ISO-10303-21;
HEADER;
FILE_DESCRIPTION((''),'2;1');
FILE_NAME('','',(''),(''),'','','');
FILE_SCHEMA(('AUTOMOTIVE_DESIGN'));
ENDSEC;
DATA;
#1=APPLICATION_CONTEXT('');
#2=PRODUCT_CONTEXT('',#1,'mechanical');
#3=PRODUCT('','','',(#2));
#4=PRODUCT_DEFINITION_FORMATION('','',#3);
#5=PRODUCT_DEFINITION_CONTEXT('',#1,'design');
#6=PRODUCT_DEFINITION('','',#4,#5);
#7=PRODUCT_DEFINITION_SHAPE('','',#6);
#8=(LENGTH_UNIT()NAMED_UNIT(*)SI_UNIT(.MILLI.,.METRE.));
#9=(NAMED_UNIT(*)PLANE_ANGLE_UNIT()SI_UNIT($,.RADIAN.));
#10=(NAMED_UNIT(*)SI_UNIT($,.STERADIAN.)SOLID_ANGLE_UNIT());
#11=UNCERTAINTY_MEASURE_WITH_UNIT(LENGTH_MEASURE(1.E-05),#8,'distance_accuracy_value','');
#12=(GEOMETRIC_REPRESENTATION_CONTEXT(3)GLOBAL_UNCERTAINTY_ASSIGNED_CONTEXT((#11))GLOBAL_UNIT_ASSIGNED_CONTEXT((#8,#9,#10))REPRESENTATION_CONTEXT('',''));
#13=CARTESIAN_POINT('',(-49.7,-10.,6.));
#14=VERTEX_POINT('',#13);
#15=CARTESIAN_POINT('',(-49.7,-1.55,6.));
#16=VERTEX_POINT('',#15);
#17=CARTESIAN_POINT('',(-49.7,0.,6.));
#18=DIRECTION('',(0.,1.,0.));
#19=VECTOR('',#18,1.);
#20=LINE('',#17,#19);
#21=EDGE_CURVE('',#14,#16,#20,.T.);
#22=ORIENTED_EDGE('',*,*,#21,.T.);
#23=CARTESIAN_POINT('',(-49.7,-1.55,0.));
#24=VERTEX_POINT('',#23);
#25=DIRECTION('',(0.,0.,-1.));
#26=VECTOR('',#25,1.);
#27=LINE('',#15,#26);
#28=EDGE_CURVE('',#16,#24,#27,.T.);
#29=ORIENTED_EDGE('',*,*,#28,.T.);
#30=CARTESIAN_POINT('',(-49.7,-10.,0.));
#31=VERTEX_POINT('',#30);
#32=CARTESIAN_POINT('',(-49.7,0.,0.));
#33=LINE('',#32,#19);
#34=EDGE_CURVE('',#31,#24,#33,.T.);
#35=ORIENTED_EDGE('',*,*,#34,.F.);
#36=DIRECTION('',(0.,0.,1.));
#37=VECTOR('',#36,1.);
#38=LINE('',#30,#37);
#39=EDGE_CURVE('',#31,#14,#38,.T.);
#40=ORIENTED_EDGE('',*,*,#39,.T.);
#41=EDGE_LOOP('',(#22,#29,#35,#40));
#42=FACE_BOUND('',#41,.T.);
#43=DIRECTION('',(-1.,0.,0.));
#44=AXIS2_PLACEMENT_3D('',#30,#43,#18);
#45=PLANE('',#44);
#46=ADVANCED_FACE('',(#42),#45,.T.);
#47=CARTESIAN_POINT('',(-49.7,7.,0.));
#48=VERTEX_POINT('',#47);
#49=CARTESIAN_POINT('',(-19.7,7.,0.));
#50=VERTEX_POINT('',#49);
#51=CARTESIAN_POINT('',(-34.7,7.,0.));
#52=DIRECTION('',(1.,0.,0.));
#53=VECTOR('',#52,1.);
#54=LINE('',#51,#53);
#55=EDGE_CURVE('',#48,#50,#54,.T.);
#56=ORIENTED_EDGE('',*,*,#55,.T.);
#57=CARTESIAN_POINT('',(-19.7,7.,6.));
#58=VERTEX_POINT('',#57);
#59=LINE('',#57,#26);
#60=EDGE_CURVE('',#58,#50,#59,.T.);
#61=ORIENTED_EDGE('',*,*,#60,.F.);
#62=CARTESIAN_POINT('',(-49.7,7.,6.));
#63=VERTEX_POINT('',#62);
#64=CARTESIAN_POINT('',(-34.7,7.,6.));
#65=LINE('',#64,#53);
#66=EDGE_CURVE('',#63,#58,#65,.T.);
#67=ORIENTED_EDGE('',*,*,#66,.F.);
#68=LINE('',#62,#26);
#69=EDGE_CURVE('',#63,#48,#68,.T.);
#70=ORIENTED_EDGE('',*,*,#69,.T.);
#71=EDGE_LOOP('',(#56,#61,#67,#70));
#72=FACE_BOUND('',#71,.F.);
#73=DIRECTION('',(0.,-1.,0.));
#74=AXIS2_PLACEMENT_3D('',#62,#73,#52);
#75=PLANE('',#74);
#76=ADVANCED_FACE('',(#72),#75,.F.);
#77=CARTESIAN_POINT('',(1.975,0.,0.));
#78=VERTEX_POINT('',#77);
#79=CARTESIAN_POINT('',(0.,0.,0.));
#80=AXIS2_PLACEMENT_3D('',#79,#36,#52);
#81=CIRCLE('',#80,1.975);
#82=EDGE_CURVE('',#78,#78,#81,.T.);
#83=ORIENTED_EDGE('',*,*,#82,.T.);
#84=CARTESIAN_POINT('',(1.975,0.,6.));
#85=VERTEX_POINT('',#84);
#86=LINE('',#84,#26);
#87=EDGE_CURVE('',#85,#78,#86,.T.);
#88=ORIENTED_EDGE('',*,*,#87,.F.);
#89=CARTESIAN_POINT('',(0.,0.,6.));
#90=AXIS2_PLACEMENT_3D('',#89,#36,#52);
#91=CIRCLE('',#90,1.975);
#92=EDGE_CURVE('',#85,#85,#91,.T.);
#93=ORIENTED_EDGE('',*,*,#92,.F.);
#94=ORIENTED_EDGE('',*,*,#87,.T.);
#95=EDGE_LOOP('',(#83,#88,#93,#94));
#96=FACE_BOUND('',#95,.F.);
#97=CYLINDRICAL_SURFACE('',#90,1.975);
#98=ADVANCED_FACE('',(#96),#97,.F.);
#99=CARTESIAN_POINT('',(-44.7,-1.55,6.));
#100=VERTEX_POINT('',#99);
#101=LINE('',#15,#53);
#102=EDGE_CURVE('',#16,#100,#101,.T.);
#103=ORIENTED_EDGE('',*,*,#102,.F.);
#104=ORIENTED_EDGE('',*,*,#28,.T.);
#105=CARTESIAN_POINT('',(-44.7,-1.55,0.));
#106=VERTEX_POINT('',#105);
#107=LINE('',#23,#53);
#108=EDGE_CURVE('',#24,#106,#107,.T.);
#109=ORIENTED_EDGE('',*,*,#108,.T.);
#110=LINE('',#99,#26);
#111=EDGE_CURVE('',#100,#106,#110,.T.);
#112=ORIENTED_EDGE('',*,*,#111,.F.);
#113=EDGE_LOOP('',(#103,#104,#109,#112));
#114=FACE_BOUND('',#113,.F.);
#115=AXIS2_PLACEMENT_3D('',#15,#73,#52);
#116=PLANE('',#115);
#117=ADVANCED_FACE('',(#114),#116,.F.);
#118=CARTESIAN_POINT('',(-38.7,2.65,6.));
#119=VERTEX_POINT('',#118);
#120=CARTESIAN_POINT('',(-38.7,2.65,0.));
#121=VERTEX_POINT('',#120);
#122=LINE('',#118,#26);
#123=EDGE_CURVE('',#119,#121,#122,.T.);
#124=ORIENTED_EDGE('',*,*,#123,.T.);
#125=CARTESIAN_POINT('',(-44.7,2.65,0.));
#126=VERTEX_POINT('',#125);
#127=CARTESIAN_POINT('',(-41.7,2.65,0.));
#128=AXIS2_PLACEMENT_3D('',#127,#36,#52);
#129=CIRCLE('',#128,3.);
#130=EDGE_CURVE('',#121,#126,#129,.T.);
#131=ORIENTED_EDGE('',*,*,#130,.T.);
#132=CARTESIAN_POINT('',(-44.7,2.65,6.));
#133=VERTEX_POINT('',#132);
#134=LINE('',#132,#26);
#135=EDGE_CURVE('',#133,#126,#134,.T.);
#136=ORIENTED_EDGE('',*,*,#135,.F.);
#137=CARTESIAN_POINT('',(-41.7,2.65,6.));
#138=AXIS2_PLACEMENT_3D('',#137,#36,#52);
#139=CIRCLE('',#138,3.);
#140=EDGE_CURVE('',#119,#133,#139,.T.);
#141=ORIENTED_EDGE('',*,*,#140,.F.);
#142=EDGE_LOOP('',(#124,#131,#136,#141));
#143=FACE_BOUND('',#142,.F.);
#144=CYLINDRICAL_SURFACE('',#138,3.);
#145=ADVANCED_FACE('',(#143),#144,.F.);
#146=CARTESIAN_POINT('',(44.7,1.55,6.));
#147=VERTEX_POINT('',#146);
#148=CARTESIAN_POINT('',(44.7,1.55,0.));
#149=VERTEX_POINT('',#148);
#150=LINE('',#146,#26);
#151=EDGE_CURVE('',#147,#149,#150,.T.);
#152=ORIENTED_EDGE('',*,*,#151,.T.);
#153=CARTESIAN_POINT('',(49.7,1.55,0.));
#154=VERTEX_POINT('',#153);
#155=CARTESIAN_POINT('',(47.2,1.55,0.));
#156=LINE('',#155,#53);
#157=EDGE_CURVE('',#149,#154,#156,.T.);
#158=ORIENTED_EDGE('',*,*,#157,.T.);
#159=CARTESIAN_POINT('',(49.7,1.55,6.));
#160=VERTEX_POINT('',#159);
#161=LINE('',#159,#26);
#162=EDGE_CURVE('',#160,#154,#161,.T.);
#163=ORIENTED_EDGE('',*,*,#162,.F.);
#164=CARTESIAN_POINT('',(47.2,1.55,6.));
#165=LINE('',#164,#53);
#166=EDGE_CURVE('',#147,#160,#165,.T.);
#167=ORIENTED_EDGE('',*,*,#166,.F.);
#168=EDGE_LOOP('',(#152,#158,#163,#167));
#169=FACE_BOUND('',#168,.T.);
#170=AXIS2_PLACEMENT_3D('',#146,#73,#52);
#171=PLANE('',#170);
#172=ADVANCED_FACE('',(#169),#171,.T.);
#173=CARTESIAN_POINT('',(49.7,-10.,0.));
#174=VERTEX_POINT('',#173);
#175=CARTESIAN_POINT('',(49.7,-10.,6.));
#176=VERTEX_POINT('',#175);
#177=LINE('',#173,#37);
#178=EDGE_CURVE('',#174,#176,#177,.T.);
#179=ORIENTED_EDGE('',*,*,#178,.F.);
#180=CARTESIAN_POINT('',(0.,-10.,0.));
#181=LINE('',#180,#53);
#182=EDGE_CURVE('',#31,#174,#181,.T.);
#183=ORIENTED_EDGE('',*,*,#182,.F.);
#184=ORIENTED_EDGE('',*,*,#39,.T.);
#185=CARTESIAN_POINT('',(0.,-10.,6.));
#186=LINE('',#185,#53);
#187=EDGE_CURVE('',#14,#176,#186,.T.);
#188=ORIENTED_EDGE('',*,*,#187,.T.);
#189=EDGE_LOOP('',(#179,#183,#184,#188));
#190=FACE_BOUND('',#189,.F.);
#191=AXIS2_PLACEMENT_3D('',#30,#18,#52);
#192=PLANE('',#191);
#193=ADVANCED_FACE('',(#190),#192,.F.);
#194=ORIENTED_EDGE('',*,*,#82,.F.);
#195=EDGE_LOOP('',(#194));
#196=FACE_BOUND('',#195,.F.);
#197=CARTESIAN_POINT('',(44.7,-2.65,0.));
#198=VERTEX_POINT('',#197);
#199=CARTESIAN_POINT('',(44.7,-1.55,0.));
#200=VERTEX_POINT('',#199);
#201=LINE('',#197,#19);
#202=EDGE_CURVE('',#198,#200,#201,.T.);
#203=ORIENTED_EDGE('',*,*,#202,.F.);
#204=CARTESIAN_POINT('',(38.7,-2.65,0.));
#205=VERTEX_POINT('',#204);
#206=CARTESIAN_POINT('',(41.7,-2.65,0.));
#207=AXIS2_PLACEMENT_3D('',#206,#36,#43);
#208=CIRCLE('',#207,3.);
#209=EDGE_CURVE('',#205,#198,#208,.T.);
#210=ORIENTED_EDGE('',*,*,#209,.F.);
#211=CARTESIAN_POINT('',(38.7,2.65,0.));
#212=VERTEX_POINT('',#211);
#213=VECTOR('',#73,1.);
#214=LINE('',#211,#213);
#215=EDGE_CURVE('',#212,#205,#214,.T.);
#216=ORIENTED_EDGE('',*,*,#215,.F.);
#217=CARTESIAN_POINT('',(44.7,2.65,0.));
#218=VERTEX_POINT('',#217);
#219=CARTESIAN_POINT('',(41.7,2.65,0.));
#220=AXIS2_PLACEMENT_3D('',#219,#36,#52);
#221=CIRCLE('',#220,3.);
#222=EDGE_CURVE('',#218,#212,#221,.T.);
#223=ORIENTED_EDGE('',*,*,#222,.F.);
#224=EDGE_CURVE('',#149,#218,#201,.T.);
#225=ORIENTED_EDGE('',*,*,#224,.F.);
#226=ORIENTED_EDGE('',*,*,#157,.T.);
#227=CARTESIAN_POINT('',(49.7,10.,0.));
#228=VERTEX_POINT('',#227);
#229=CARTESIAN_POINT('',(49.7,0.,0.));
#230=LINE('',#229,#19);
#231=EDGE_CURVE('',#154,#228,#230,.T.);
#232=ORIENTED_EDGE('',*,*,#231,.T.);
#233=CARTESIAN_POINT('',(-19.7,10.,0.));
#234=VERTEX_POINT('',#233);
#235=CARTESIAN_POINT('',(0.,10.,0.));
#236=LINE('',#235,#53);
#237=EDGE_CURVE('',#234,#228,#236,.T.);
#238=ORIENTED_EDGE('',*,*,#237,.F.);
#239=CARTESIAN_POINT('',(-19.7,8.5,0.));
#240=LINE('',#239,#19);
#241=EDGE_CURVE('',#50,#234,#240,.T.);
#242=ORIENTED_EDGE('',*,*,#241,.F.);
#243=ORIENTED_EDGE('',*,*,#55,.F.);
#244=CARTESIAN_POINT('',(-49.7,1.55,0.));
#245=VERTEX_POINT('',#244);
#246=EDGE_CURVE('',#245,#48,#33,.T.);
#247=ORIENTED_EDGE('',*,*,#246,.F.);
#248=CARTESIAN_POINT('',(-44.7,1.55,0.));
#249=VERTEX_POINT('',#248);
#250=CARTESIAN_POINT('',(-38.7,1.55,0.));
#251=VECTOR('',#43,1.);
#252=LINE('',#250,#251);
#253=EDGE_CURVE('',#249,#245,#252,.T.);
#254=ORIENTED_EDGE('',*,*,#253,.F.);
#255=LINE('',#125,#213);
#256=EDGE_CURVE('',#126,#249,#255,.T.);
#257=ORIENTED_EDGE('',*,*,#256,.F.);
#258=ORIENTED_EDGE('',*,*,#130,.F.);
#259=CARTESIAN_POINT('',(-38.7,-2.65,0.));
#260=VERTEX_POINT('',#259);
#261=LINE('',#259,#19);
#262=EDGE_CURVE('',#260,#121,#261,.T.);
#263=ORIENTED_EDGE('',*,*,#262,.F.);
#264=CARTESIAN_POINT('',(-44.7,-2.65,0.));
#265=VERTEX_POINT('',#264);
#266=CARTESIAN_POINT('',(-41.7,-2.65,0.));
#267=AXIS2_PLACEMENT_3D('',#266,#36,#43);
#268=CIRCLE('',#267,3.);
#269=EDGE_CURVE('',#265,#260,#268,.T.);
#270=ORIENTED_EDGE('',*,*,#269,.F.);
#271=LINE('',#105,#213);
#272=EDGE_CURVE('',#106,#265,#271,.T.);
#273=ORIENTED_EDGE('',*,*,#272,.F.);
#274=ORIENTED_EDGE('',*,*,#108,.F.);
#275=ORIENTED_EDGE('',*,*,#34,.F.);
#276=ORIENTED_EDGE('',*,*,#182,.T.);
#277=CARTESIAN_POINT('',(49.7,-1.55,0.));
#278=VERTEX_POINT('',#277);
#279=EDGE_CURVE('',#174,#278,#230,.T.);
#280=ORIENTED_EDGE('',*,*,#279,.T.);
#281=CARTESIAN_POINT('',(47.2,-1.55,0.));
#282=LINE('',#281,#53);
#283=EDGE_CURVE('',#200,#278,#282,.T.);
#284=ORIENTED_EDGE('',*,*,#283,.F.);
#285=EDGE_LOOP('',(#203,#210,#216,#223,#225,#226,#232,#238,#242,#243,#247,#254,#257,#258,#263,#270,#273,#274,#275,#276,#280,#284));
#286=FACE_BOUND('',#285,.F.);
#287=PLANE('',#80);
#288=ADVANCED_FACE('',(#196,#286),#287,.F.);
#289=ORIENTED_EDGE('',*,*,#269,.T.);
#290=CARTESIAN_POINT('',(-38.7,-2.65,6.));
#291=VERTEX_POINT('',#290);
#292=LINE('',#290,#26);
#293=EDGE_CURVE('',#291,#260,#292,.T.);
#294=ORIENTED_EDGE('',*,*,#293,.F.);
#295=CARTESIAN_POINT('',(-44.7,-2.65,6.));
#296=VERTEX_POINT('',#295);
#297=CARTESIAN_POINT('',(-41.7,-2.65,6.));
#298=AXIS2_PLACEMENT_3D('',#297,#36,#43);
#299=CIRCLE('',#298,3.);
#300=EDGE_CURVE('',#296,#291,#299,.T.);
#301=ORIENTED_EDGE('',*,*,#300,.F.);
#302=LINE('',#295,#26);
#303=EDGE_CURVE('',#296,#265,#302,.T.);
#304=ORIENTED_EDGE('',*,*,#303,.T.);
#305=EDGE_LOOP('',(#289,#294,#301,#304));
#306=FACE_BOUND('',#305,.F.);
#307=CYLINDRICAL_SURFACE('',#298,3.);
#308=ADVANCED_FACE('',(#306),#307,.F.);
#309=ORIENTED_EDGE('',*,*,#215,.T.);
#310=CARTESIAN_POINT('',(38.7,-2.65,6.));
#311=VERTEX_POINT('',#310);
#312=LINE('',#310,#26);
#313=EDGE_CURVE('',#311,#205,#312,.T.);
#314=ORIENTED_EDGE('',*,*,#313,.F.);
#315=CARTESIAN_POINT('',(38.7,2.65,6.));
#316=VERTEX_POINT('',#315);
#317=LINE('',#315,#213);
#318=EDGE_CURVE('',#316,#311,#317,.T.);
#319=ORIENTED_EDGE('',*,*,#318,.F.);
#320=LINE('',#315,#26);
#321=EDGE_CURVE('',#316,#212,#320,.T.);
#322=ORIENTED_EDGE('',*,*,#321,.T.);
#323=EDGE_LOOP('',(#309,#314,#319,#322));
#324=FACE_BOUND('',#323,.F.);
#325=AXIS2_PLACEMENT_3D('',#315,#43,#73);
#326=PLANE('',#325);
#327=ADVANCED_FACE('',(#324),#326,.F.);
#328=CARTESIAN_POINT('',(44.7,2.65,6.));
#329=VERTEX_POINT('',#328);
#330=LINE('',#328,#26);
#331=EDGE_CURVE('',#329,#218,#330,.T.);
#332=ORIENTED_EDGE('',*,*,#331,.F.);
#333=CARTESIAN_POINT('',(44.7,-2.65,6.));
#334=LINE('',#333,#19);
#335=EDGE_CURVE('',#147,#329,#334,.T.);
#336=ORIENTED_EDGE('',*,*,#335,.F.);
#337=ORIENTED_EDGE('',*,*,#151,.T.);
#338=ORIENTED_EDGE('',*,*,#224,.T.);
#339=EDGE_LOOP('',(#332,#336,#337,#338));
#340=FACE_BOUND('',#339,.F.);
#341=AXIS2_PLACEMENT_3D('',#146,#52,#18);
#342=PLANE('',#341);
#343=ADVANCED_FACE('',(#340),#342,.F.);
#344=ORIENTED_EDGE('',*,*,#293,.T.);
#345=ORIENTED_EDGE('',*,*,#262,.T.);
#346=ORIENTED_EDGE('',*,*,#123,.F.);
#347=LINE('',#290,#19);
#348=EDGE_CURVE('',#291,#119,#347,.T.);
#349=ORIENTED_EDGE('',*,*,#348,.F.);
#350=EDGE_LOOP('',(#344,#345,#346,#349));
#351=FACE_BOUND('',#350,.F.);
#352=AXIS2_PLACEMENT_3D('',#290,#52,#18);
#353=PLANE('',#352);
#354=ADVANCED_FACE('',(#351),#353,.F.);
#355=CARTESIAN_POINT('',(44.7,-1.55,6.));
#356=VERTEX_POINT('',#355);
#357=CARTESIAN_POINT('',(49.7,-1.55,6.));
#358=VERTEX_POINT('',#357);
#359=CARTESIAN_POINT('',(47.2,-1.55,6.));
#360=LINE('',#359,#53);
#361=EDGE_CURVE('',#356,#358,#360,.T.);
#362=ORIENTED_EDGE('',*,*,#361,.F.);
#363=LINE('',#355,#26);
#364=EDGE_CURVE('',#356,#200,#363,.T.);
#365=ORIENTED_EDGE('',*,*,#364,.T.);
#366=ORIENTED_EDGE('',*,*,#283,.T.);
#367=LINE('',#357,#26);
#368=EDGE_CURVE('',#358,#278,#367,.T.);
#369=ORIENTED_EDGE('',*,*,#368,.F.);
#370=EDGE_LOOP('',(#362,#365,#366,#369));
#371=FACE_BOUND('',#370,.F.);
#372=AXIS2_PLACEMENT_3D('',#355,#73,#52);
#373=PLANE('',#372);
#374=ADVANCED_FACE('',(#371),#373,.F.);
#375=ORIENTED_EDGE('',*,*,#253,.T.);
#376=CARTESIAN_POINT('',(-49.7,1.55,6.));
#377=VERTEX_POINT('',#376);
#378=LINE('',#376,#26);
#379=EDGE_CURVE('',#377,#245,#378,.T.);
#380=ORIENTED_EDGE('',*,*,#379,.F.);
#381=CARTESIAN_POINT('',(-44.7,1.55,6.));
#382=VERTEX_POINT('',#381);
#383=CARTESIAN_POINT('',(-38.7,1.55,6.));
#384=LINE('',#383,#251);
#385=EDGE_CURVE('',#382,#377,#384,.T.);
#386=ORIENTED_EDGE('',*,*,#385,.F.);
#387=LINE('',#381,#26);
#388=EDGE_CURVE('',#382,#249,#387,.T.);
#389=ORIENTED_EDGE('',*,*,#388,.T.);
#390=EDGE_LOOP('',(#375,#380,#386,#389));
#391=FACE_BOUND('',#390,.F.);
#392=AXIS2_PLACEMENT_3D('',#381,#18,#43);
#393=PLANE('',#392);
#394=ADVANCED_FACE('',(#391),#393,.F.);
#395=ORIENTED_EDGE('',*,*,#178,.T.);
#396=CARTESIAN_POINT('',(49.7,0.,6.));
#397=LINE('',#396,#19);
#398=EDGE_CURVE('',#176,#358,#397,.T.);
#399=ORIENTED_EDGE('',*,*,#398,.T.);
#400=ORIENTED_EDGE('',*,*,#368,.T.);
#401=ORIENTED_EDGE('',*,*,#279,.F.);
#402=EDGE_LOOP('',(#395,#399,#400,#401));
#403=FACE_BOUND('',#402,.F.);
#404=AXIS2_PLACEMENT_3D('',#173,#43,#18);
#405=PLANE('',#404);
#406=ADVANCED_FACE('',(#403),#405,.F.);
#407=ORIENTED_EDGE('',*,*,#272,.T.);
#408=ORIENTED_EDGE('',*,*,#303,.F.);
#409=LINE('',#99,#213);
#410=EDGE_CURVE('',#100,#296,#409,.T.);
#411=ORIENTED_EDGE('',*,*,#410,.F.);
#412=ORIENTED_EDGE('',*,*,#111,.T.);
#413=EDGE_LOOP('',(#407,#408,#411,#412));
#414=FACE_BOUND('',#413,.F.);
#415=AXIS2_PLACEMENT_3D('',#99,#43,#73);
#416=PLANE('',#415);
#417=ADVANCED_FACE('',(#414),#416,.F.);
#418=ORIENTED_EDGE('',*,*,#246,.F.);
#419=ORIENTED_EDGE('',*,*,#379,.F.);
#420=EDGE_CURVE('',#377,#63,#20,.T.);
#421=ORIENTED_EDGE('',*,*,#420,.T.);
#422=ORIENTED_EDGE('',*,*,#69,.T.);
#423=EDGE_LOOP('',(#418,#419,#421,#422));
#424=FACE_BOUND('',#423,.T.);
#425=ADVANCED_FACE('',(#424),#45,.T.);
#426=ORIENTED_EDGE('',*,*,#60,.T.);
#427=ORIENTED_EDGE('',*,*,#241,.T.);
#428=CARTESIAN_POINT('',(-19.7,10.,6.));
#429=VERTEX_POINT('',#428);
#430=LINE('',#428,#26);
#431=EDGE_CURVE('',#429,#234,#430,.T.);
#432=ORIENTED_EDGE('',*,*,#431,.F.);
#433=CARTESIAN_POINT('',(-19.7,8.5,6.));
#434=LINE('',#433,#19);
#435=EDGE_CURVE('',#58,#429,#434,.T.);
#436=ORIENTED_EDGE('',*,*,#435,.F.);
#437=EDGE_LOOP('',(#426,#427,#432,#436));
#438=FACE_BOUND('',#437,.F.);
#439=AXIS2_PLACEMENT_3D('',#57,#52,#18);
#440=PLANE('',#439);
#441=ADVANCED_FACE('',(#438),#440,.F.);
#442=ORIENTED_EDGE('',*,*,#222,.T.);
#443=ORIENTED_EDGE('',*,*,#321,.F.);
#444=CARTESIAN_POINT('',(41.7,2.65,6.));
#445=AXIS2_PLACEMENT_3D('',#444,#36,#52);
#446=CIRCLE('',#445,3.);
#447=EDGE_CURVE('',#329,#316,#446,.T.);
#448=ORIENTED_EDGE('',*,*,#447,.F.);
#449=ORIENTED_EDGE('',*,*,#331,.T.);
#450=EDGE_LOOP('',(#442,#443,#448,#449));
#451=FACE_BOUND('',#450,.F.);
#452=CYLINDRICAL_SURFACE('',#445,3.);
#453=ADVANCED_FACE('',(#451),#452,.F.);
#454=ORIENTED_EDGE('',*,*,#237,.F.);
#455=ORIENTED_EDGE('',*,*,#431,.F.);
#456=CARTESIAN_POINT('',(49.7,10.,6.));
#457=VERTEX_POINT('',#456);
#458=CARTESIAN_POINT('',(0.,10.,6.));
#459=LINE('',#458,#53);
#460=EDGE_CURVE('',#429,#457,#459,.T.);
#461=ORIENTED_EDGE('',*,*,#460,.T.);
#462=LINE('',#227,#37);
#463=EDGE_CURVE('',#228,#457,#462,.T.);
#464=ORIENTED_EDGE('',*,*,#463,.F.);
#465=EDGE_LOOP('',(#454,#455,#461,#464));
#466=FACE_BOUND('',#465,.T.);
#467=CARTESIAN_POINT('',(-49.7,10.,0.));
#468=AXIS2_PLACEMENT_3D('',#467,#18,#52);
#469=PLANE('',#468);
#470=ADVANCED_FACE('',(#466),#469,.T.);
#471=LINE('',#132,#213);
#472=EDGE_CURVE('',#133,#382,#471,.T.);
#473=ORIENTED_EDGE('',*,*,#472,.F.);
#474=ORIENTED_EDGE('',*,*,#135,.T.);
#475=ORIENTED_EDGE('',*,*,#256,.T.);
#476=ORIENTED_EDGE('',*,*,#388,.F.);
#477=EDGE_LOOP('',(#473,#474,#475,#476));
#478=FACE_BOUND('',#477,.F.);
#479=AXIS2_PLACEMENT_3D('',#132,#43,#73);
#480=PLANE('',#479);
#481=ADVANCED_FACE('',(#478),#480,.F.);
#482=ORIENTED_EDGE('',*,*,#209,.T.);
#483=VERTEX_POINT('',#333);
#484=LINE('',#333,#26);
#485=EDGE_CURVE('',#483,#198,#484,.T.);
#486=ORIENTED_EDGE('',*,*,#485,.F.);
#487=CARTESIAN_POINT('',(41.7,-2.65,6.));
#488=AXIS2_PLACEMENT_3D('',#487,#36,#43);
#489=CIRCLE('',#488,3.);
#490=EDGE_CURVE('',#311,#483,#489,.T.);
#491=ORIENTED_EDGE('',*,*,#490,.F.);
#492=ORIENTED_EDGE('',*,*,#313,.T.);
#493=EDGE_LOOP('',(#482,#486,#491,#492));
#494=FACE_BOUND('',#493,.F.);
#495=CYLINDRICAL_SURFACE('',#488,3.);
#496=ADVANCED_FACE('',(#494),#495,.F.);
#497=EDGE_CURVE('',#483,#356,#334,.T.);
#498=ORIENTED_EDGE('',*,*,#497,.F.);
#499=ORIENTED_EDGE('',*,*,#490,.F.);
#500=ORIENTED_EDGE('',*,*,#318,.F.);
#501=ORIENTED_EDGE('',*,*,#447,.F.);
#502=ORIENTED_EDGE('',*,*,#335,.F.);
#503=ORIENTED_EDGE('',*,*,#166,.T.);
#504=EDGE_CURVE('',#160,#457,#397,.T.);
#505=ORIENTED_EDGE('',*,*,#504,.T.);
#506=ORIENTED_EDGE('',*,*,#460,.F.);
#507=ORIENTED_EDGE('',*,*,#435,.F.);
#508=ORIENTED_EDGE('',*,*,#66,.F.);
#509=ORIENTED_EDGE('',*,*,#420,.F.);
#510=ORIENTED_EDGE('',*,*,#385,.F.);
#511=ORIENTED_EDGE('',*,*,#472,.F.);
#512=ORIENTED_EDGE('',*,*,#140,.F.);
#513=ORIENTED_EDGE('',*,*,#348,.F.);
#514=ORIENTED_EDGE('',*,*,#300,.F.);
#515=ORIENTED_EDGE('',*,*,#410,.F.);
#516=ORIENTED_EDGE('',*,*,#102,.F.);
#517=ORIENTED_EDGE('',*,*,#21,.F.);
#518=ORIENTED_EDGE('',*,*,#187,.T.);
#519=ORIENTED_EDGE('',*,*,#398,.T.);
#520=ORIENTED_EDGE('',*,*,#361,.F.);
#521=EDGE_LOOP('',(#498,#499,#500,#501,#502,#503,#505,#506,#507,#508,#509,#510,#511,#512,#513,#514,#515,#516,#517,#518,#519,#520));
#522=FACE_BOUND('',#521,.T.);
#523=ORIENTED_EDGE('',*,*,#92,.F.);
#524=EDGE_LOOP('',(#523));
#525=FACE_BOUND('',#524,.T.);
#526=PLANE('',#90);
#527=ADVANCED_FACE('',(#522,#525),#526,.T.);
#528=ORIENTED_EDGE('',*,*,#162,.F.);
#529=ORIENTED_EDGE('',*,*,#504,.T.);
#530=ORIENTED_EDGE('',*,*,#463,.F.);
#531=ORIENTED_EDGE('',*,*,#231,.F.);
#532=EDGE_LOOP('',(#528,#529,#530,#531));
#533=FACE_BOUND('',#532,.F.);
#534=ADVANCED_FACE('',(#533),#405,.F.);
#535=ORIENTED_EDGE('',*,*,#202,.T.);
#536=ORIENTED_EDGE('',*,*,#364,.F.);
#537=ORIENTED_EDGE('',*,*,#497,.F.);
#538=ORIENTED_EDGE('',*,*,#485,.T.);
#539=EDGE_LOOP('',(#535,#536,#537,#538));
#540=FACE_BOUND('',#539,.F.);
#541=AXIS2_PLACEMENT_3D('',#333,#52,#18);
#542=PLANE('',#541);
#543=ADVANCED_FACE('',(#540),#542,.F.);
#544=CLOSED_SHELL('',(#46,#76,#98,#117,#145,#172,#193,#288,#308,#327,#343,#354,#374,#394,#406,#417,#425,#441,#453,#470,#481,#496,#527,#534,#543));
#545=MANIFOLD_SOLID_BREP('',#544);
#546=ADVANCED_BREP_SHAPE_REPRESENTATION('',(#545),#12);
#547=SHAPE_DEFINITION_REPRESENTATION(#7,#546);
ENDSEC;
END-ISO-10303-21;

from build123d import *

# Parameters (mm, degrees)
F0_W     = 99.4
F0_H     = 20
F1_DEPTH = 6
F2_W     = 5
F2_H     = 3.1
F2_W_2   = 6
F3_DEPTH = 6
F4_R     = 1.975
F5_DEPTH = 6
F6_W     = 30
F6_H     = 3
F7_DEPTH = 6


with BuildPart() as f1:
    # F0 (on Top) → F1 (new body)
    with BuildSketch(Plane.XY):
        Rectangle(F0_W, F0_H)
    extrude(amount=F1_DEPTH)

    # F2 (on face) → F3 (cut, through all)
    with BuildSketch(Plane.XY.offset(6)):
        with Locations((-47.2, 0)):
            Rectangle(F2_W, F2_H)
        with Locations((-41.7, 0)):
            Rectangle(F2_W_2, F2_H)
        with BuildLine():
            Line((-38.7, -1.55), (-44.7, -1.55))
            Line((-44.7, -1.55), (-44.7, -2.65))
            ThreePointArc((-44.7, -2.65), (-41.7, -5.65), (-38.7, -2.65))
            Line((-38.7, -2.65), (-38.7, -1.55))
        make_face()
        with BuildLine():
            Line((-44.7, 2.65), (-44.7, 1.55))
            Line((-44.7, 1.55), (-38.7, 1.55))
            Line((-38.7, 1.55), (-38.7, 2.65))
            ThreePointArc((-38.7, 2.65), (-41.7, 5.65), (-44.7, 2.65))
        make_face()
        with Locations((41.7, 0)):
            Rectangle(F2_W_2, F2_H)
        with BuildLine():
            Line((38.7, 2.65), (38.7, 1.55))
            Line((38.7, 1.55), (44.7, 1.55))
            Line((44.7, 1.55), (44.7, 2.65))
            ThreePointArc((44.7, 2.65), (41.7, 5.65), (38.7, 2.65))
        make_face()
        with BuildLine():
            Line((44.7, -1.55), (38.7, -1.55))
            Line((38.7, -1.55), (38.7, -2.65))
            ThreePointArc((38.7, -2.65), (41.7, -5.65), (44.7, -2.65))
            Line((44.7, -2.65), (44.7, -1.55))
        make_face()
        with Locations((47.2, 0)):
            Rectangle(F2_W, F2_H)
    extrude(amount=-F3_DEPTH, mode=Mode.SUBTRACT)

    # F4 (on face) → F5 (cut, through all)
    with BuildSketch(Plane.XY.offset(6)):
        Circle(F4_R)
    extrude(amount=-F5_DEPTH, mode=Mode.SUBTRACT)

    # F6 (on face) → F7 (cut, through all)
    with BuildSketch(Plane.XY.offset(6)):
        with Locations((-34.7, 8.5)):
            Rectangle(F6_W, F6_H)
    extrude(amount=-F7_DEPTH, mode=Mode.SUBTRACT)


solid = f1.part
